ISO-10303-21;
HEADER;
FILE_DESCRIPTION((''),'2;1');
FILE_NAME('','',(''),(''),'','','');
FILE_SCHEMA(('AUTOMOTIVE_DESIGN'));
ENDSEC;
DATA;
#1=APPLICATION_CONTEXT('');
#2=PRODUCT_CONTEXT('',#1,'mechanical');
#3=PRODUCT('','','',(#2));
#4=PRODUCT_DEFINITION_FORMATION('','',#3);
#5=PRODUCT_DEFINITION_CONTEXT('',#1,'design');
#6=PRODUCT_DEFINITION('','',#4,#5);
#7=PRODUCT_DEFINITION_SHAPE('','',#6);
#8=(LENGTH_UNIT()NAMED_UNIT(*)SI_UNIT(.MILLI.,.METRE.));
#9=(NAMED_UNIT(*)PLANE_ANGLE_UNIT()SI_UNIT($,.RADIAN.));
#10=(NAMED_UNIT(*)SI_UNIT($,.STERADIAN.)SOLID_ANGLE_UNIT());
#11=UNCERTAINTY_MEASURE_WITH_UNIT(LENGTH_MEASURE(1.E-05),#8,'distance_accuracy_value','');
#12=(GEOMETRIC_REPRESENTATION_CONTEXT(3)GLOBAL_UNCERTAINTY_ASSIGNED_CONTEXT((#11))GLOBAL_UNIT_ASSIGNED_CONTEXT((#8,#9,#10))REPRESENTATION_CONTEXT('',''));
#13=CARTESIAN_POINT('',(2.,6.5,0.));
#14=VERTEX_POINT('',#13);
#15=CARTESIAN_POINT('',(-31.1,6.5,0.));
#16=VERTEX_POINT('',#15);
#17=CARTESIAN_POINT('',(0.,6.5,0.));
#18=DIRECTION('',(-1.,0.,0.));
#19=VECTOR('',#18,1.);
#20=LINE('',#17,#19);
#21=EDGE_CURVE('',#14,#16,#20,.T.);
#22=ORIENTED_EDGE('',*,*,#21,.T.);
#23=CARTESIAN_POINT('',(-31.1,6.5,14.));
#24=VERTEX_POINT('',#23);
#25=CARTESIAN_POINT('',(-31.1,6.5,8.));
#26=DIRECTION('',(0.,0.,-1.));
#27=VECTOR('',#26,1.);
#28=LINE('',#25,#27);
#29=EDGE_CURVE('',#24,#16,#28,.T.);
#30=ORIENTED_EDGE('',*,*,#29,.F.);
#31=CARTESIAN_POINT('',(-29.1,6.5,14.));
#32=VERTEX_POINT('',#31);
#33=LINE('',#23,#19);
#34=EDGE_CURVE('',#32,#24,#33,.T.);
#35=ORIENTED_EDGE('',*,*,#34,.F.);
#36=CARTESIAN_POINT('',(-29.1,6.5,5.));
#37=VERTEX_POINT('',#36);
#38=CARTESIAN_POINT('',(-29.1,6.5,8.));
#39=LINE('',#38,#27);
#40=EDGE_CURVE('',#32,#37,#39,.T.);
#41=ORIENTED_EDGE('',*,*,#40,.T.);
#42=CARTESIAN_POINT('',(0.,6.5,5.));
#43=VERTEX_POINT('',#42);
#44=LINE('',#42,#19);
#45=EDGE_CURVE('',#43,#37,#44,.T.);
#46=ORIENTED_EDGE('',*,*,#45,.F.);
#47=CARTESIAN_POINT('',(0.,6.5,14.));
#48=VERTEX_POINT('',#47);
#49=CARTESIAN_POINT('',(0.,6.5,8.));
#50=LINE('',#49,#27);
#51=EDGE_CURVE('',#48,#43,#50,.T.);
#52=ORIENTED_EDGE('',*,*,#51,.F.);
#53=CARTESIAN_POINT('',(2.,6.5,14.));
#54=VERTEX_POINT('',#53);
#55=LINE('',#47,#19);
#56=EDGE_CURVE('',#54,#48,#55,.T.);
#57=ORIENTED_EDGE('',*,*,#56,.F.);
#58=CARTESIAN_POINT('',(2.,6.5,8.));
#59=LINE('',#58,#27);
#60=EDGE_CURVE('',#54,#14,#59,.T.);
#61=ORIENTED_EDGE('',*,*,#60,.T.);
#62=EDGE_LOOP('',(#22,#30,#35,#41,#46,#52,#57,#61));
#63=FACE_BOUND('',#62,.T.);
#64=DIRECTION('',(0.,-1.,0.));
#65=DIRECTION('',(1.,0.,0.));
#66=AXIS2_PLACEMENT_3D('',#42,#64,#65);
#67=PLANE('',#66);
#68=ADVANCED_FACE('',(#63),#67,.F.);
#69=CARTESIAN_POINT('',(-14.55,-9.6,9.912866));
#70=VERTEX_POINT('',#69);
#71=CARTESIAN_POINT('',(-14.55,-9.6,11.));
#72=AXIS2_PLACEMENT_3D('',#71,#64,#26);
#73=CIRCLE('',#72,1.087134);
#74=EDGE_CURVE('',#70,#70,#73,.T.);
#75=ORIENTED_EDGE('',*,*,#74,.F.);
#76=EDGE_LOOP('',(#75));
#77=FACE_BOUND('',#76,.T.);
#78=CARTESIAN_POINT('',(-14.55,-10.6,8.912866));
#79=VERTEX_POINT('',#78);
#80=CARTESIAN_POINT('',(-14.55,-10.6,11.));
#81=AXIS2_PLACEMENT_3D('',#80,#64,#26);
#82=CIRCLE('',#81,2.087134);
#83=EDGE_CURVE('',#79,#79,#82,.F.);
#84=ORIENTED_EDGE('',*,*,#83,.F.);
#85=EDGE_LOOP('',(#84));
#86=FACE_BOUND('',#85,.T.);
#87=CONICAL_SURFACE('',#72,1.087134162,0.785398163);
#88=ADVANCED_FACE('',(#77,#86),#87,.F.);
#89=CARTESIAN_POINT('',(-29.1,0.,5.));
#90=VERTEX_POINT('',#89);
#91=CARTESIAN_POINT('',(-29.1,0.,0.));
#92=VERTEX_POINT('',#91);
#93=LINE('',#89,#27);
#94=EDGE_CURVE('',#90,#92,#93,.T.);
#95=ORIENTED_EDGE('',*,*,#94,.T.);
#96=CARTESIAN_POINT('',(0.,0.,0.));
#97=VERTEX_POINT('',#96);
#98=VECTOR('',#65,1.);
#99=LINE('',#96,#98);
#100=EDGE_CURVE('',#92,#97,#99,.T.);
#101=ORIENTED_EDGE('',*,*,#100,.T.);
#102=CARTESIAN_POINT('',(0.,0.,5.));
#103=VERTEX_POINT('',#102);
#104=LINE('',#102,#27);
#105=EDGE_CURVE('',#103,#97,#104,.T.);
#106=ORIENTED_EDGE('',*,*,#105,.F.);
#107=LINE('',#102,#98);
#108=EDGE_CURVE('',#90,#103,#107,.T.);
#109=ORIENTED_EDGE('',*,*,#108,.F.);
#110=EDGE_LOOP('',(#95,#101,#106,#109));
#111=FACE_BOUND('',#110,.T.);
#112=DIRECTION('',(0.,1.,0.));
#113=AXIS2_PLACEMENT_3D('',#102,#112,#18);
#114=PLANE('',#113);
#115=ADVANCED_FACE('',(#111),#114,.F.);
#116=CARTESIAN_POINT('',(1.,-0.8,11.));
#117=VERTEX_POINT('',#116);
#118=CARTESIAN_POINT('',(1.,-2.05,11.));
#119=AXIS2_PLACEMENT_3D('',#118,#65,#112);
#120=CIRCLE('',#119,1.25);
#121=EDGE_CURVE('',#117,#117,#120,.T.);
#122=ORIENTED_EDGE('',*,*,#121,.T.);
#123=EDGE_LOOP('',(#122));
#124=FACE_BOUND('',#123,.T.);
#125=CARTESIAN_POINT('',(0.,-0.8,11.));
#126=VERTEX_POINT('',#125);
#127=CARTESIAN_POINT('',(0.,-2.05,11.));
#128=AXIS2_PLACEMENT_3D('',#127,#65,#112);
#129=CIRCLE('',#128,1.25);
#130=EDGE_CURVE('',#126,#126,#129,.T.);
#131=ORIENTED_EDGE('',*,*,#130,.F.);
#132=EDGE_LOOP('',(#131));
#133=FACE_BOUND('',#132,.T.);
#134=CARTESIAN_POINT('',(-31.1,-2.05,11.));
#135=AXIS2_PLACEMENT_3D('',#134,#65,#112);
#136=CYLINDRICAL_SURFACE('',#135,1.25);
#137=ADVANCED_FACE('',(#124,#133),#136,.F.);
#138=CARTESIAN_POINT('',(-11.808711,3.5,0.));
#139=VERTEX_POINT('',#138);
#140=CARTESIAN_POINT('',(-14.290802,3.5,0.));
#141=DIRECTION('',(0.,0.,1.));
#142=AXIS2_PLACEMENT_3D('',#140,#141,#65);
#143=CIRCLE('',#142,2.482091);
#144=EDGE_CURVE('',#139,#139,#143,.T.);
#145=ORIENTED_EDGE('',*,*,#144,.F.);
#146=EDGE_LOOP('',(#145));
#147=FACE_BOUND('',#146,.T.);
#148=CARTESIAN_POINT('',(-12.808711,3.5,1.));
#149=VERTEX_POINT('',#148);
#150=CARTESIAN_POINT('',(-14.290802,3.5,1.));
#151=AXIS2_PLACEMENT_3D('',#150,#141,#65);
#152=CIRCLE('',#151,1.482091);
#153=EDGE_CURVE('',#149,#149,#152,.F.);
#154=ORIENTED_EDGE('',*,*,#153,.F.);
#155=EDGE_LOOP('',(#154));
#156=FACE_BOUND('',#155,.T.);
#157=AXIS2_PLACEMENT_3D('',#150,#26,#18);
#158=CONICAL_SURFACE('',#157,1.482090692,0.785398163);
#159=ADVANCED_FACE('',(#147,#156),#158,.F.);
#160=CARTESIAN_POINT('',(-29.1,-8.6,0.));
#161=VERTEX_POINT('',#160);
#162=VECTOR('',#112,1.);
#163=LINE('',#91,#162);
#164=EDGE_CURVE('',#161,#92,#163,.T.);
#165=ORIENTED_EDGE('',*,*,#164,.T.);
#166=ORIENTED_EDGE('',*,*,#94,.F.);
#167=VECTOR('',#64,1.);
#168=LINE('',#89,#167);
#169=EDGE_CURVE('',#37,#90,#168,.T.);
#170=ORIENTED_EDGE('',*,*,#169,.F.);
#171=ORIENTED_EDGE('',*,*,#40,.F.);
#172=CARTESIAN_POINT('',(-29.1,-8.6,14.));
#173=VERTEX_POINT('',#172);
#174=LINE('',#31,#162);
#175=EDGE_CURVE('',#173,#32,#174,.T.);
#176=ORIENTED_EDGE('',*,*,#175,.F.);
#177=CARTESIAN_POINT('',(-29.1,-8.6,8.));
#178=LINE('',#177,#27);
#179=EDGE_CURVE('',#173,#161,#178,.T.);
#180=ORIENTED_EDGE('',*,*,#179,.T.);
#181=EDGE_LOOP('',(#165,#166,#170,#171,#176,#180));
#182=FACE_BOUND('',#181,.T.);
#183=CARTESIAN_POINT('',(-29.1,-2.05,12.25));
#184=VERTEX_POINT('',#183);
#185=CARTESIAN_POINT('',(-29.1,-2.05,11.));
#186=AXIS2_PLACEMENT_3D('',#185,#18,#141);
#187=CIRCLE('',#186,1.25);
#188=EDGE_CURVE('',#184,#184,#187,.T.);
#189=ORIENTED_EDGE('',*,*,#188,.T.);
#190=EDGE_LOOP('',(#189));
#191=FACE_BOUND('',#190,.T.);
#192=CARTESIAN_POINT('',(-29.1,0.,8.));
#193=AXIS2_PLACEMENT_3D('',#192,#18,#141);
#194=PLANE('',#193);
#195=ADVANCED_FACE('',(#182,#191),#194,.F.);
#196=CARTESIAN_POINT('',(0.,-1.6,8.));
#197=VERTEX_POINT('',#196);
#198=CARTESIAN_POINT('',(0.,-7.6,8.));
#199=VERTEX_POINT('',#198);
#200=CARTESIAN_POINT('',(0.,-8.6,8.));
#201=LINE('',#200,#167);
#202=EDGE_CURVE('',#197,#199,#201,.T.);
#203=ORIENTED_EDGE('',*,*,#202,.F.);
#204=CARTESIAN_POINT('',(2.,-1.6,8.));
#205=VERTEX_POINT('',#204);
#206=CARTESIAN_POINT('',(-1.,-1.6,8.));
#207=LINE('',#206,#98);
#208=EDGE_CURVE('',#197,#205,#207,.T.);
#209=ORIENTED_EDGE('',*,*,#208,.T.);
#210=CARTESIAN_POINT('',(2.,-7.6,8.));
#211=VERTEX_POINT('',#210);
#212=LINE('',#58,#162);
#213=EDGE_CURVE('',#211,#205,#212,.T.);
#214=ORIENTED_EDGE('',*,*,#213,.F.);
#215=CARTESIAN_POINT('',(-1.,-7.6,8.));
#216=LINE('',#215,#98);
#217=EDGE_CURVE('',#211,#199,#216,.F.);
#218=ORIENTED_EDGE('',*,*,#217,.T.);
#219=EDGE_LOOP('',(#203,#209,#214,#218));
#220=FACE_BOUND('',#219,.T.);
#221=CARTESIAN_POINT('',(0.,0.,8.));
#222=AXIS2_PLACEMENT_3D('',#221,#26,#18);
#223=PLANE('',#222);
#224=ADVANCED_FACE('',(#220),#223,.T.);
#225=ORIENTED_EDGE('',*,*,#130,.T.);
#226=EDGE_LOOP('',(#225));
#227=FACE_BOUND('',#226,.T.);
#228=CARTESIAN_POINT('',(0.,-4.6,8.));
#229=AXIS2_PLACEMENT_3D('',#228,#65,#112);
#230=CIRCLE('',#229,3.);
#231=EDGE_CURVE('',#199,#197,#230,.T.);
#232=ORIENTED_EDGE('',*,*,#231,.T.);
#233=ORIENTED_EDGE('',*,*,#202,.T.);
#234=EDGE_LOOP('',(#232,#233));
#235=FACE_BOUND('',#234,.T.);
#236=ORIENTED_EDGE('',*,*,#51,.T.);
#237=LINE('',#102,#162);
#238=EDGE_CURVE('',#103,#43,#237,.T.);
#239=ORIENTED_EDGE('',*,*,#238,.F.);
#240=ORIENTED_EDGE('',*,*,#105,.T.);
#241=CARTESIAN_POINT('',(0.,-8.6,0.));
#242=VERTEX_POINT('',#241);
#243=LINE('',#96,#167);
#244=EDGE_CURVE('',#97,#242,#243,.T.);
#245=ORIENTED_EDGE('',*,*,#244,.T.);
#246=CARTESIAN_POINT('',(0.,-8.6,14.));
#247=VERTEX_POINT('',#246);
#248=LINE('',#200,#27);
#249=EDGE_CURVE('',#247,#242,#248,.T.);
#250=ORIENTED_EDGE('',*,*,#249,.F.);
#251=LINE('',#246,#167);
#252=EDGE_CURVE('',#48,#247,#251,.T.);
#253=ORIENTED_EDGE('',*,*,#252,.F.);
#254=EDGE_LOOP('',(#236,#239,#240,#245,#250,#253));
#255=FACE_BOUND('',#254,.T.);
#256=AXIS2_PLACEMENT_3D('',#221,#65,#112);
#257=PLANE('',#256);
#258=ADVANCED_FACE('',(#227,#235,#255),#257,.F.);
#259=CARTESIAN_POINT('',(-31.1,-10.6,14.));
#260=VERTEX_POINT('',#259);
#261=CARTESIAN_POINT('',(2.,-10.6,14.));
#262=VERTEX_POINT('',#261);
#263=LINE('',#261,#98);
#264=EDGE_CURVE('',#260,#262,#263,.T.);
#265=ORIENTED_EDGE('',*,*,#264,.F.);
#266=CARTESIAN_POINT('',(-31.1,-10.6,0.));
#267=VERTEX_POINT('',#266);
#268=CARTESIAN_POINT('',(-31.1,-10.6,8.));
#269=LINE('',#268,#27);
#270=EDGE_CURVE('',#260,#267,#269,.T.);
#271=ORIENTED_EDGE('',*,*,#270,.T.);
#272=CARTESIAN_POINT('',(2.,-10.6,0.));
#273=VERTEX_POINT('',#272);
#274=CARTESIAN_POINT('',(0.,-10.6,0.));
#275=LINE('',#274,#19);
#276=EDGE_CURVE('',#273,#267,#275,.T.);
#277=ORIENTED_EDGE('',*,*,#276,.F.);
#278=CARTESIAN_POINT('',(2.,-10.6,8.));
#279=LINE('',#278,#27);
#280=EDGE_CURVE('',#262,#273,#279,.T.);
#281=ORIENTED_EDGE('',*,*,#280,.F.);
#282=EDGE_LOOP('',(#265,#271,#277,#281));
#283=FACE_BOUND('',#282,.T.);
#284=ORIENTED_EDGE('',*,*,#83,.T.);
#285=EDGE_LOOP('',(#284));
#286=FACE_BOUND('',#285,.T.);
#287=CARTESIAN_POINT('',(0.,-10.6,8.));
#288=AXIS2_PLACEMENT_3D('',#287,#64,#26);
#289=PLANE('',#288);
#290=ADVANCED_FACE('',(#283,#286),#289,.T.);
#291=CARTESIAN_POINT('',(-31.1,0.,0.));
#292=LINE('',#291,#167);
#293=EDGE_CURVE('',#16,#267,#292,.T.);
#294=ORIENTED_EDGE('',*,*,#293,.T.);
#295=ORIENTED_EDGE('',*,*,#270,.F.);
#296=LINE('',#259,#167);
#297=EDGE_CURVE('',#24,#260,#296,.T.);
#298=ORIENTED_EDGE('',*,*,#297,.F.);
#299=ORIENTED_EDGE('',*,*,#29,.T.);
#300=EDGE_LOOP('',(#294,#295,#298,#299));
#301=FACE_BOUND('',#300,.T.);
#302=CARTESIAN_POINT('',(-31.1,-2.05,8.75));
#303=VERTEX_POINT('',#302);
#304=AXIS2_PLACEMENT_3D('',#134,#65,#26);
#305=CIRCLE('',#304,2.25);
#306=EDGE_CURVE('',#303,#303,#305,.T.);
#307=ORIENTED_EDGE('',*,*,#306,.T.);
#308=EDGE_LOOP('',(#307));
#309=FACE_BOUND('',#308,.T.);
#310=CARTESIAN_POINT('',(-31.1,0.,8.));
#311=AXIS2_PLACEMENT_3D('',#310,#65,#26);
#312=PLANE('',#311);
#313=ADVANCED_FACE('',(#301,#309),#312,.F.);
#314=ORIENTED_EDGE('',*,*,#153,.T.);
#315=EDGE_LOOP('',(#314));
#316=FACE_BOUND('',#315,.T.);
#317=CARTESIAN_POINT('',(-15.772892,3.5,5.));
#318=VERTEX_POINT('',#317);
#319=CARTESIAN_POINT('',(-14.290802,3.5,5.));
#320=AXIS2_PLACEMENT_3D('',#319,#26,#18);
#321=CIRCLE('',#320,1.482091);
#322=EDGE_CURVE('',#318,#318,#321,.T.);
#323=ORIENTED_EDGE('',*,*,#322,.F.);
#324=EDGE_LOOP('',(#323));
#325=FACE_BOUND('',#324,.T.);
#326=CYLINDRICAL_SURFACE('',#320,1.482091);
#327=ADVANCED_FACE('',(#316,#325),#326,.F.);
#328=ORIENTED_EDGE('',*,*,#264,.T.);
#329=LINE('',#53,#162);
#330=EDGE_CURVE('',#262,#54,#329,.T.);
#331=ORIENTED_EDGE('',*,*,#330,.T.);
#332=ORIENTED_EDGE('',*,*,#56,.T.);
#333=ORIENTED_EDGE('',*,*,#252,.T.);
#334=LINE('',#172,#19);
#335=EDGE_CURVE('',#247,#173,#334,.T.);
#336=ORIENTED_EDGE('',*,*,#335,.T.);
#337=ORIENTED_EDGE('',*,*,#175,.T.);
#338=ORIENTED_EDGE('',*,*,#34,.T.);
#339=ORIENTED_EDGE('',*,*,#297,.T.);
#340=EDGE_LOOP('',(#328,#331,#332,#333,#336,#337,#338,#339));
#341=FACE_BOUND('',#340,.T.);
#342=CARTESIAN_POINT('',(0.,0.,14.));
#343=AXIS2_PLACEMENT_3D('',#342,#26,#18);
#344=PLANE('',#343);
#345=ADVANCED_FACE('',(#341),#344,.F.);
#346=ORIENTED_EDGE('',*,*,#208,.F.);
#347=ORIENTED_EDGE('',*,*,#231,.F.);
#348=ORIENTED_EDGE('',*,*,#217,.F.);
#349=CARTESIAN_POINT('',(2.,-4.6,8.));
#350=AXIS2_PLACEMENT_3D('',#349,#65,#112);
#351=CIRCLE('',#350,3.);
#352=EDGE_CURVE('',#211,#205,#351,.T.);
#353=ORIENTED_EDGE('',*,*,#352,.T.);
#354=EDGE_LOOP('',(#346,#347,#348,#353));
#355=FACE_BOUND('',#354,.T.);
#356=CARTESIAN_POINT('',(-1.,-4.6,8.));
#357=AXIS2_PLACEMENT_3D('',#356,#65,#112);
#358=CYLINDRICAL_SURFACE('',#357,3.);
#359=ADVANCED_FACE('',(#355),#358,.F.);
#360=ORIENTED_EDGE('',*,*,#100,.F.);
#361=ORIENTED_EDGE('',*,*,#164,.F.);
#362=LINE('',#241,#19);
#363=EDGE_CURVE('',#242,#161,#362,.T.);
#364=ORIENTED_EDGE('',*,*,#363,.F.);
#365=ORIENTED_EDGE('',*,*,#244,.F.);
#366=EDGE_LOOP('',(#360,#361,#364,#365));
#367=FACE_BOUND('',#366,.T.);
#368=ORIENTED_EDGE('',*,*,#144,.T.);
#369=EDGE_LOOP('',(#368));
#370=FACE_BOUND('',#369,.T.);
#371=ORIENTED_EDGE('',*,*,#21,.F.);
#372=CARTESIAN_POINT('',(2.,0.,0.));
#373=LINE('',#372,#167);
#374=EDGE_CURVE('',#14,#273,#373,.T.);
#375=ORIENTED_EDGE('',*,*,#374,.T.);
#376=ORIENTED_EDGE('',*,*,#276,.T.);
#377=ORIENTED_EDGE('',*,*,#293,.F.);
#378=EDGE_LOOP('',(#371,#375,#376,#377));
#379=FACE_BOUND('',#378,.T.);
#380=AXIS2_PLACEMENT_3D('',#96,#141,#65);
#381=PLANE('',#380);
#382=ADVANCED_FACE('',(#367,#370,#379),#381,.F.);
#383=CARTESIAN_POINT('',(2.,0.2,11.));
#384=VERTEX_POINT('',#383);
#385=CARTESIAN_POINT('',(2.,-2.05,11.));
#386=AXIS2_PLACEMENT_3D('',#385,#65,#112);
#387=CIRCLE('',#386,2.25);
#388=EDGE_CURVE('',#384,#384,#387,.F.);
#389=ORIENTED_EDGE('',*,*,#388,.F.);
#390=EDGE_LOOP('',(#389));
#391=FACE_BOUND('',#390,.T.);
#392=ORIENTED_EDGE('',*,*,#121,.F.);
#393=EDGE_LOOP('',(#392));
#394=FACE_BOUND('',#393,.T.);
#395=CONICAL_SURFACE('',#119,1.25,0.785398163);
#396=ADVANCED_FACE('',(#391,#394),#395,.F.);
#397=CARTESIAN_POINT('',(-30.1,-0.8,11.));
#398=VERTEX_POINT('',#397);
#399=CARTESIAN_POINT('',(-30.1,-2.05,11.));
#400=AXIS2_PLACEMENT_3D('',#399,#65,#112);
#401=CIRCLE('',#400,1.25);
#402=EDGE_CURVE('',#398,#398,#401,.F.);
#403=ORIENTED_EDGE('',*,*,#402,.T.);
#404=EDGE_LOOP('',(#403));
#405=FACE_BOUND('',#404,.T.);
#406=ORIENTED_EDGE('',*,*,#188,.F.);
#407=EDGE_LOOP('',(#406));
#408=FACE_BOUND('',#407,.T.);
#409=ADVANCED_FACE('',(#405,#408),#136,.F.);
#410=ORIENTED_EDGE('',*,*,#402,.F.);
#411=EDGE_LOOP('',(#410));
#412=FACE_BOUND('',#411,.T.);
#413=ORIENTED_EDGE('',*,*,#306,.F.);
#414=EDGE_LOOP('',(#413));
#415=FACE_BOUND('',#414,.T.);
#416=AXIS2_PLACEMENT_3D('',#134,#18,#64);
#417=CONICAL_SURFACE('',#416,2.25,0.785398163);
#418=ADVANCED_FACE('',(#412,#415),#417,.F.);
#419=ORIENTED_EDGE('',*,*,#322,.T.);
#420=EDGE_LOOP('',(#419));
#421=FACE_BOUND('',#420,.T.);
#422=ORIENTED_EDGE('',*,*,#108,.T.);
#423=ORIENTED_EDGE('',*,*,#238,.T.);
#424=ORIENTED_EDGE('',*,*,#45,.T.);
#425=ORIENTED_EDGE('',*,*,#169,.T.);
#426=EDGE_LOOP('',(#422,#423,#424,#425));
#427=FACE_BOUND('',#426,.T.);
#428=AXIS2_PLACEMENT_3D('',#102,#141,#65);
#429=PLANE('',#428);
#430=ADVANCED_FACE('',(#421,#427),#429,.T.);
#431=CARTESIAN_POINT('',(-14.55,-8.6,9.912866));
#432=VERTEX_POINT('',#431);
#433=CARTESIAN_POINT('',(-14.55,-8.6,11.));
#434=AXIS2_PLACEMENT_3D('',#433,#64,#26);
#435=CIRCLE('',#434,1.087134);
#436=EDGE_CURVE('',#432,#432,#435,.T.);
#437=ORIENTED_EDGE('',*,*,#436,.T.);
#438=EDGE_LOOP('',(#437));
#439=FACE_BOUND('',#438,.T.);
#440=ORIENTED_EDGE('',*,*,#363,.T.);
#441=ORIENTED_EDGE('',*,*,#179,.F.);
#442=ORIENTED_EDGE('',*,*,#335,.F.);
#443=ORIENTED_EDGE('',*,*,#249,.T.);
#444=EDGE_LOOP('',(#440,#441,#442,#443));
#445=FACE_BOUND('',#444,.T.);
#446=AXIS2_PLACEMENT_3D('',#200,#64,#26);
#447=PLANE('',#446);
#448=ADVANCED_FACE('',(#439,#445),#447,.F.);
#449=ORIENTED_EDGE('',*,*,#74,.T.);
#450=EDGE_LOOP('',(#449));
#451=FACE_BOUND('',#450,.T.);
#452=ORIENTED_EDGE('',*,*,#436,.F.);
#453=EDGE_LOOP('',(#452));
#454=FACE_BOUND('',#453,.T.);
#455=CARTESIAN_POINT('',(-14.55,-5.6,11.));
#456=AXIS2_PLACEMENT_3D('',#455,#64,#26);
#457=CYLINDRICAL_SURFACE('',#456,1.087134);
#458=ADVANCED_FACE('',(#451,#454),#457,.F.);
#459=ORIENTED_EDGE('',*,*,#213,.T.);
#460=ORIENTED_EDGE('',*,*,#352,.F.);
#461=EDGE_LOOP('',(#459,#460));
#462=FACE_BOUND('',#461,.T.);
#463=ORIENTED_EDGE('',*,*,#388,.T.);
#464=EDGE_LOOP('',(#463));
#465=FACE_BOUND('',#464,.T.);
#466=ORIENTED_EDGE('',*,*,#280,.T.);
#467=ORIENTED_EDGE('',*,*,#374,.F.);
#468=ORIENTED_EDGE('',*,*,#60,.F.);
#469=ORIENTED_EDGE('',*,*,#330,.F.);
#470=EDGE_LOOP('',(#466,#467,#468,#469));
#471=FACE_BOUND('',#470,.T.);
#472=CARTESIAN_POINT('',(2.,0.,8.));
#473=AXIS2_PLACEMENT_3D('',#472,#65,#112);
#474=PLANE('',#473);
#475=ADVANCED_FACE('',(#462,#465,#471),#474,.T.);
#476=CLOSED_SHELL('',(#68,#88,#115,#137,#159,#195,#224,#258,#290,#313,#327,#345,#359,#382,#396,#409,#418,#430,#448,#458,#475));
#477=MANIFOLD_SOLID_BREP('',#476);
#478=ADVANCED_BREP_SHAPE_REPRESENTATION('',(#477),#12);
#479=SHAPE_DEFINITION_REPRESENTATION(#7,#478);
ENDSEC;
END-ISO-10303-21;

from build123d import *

# Parameters (mm, degrees)
SKETCH_1_W             = 29.1
SKETCH_1_H             = 6.5
EXTRUDE_1_DEPTH        = 5
EXTRUDE_2_DEPTH        = 8
SKETCH_3_R             = 3
CUT_EXTRUDE_1118_DEPTH = 3
EXTRUDE_1407_DEPTH     = 6
SKETCH_5_R             = 1.25
CUT_EXTRUDE_2_DEPTH    = 38.469587668
CHAMFER_1_SIZE         = 1
SKETCH_6_R             = 1.087134162
CUT_EXTRUDE_3_DEPTH    = 5
CHAMFER_2_SIZE         = 1
SKETCH_7_R             = 1.482090692
CUT_EXTRUDE_4_DEPTH    = 5
CHAMFER_3_SIZE         = 1


with BuildPart() as part:
    # Эскиз1 → Бобышка-Вытянуть1 (new body)
    with BuildSketch(Plane.XY):
        with Locations((-14.55, 3.25)):
            Rectangle(SKETCH_1_W, SKETCH_1_H)
    extrude(amount=EXTRUDE_1_DEPTH)

    # Эскиз2 → Бобышка-Вытянуть2 (add)
    with BuildSketch(Plane(origin=(0, 0, 0), x_dir=(-1, 0, 0), z_dir=(0, 0, -1))):
        Polygon((0, -8.6), (-2, -8.6), (-2, -10.6), (31.1, -10.6), (31.1, -8.6), (29.1, -8.6), align=None)
        Polygon((0, 0), (0, 6.5), (-2, 6.5), (-2, -8.6), (0, -8.6), align=None)
        Polygon((29.1, 0), (29.1, -8.6), (31.1, -8.6), (31.1, 6.5), (29.1, 6.5), align=None)
    extrude(amount=-EXTRUDE_2_DEPTH)

    # Эскиз3 → Cut-Extrude 1118 (cut)
    with BuildSketch(Plane(origin=(2, 0, 0), x_dir=(0, 0, -1), z_dir=(1, 0, 0))):
        with Locations((-8, -4.6)):
            Circle(SKETCH_3_R)
    extrude(amount=-CUT_EXTRUDE_1118_DEPTH, mode=Mode.SUBTRACT)

    # Эскиз4 → Extrude 1407 (add)
    with BuildSketch(Plane.XY.offset(8)):
        Polygon((2, 6.5), (2, -10.6), (-31.1, -10.6), (-31.1, 6.5), (-29.1, 6.5), (-29.1, -8.6), (0, -8.6), (0, 6.5), align=None)
    extrude(amount=EXTRUDE_1407_DEPTH)

    # Эскиз5 → Вырез-Вытянуть2 (cut, through all)
    with BuildSketch(Plane(origin=(2, 0, 0), x_dir=(0, 0, -1), z_dir=(1, 0, 0))):
        with Locations(Location((-11, -2.05, 0), (0, 0, 90))):
            Circle(SKETCH_5_R)
    extrude(amount=-CUT_EXTRUDE_2_DEPTH, mode=Mode.SUBTRACT)

    # Фаска1
    chamfer_1_edges = [part.edges().sort_by_distance(p)[0] for p in [
        (-31.1, -3.3, 11),
        (2, -3.3, 11),
    ]]
    chamfer(chamfer_1_edges, length=CHAMFER_1_SIZE)

    # Эскиз6 → Вырез-Вытянуть3 (cut)
    with BuildSketch(Plane(origin=(0, -10.6, 0), x_dir=(-1, 0, 0), z_dir=(0, -1, 0))):
        with Locations(Location((14.55, -11, 0), (0, 0, 90))):
            Circle(SKETCH_6_R)
    extrude(amount=-CUT_EXTRUDE_3_DEPTH, mode=Mode.SUBTRACT)

    # Фаска2
    chamfer_2_edges = [part.edges().sort_by_distance(p)[0] for p in [
        (-14.55, -10.6, 12.087134162),
    ]]
    chamfer(chamfer_2_edges, length=CHAMFER_2_SIZE)

    # Эскиз7 → Вырез-Вытянуть4 (cut)
    with BuildSketch(Plane(origin=(0, 0, 0), x_dir=(-1, 0, 0), z_dir=(0, 0, -1))):
        with Locations((14.290801776, 3.5)):
            Circle(SKETCH_7_R)
    extrude(amount=-CUT_EXTRUDE_4_DEPTH, mode=Mode.SUBTRACT)

    # Фаска3
    chamfer_3_edges = [part.edges().sort_by_distance(p)[0] for p in [
        (-12.808711084, 3.5, 0),
    ]]
    chamfer(chamfer_3_edges, length=CHAMFER_3_SIZE)


solid = part.part
